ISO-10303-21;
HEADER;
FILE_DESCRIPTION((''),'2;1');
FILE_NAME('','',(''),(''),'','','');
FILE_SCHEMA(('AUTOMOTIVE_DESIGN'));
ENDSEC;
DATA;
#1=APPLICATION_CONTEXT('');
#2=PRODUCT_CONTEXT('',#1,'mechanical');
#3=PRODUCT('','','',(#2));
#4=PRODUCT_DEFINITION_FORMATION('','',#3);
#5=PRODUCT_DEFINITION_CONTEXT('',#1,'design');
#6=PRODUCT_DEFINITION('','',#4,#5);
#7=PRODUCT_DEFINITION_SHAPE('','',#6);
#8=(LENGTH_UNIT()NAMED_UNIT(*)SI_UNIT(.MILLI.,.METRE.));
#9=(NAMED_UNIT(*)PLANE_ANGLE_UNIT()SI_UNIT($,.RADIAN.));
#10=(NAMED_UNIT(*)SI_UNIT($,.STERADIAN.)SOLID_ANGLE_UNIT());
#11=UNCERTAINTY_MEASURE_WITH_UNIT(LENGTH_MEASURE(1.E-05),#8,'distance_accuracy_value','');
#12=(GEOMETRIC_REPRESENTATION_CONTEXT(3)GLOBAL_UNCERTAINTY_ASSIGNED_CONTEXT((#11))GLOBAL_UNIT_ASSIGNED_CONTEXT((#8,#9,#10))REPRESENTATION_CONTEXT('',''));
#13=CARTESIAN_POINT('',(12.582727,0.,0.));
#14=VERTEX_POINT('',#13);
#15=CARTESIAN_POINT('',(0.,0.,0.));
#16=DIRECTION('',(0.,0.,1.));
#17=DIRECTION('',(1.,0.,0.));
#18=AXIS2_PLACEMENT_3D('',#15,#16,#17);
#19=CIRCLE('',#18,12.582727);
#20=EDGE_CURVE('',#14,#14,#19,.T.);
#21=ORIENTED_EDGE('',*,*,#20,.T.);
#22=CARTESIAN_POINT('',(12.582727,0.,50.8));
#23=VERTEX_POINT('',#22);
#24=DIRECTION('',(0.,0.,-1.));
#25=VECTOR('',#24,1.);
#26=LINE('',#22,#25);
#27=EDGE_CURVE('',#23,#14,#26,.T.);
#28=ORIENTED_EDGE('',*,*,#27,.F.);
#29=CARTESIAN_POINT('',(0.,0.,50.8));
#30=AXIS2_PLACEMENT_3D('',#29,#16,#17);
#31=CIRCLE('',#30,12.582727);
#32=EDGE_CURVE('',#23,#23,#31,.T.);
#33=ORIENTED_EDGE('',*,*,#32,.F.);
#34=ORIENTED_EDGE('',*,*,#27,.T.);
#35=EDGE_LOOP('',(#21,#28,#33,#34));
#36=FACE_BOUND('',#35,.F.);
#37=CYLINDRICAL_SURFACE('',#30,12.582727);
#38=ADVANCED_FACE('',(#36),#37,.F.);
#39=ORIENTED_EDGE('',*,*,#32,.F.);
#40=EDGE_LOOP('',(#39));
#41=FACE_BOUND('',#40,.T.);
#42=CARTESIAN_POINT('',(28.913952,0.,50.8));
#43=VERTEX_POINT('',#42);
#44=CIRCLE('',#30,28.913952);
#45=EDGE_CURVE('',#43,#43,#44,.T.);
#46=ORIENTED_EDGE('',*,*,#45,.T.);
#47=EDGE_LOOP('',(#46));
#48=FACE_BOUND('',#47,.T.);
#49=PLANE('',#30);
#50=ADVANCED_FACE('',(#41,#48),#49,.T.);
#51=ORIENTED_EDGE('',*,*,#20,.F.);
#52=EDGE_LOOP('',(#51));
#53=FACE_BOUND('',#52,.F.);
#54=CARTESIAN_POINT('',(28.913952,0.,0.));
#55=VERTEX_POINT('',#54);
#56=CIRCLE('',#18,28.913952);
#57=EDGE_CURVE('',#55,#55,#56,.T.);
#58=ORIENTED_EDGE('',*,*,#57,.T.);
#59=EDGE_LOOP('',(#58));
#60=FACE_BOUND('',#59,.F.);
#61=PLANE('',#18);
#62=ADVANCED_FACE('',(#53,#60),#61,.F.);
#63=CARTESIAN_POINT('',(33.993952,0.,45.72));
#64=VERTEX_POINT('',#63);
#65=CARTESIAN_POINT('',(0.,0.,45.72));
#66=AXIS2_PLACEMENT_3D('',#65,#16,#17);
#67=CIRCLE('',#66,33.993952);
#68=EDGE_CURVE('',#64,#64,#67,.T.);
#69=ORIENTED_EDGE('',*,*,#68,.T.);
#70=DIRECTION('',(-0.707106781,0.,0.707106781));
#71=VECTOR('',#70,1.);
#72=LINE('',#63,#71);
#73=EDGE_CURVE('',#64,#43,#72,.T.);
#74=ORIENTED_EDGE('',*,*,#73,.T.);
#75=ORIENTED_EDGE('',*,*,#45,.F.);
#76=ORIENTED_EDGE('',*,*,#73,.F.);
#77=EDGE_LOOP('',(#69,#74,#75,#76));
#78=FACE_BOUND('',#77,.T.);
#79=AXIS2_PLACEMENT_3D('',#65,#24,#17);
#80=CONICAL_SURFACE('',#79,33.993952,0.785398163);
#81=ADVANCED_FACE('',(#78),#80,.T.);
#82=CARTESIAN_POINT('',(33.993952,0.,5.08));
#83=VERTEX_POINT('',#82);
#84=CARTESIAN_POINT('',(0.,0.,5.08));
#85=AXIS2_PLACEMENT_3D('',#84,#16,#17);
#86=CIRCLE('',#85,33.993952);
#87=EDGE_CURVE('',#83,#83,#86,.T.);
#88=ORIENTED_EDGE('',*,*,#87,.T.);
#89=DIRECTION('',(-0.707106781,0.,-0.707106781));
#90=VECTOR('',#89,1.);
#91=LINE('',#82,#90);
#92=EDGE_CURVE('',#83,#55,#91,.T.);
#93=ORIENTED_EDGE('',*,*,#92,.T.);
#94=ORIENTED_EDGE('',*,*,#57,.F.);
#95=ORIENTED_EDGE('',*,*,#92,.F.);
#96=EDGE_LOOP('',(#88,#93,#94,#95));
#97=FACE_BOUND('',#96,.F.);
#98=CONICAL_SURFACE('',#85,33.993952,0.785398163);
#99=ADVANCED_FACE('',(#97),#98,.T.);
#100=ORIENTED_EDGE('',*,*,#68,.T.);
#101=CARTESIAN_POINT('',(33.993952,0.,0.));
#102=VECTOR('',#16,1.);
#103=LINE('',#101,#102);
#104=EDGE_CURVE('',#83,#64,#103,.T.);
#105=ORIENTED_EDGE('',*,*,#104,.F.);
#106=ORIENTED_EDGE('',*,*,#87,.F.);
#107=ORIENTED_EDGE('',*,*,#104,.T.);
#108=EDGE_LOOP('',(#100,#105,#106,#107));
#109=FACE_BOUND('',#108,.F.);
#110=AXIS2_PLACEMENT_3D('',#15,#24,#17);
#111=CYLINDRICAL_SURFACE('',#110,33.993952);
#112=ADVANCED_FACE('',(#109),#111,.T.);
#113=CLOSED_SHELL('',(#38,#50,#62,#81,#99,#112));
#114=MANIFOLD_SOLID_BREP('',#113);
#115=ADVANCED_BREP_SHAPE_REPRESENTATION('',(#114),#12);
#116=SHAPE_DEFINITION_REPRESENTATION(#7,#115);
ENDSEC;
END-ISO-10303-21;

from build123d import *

# Parameters (mm, degrees)
F0_R     = 33.993952
F1_DEPTH = 50.8
F2_SIZE  = 5.08
F3_R     = 12.582727
F4_DEPTH = 76.2


with BuildPart() as f1:
    # F0 (on Top) → F1 (new body)
    with BuildSketch(Plane.XY):
        Circle(F0_R)
    extrude(amount=F1_DEPTH)

    # F2
    f2_edges = [f1.edges().sort_by_distance(p)[0] for p in [
        (-33.993952, 0, 50.8),
        (-33.993952, 0, 0),
    ]]
    chamfer(f2_edges, length=F2_SIZE)

    # F3 (on face) → F4 (cut)
    with BuildSketch(Plane.XY.offset(50.8)):
        Circle(F3_R)
    extrude(amount=-F4_DEPTH, mode=Mode.SUBTRACT)


solid = f1.part
